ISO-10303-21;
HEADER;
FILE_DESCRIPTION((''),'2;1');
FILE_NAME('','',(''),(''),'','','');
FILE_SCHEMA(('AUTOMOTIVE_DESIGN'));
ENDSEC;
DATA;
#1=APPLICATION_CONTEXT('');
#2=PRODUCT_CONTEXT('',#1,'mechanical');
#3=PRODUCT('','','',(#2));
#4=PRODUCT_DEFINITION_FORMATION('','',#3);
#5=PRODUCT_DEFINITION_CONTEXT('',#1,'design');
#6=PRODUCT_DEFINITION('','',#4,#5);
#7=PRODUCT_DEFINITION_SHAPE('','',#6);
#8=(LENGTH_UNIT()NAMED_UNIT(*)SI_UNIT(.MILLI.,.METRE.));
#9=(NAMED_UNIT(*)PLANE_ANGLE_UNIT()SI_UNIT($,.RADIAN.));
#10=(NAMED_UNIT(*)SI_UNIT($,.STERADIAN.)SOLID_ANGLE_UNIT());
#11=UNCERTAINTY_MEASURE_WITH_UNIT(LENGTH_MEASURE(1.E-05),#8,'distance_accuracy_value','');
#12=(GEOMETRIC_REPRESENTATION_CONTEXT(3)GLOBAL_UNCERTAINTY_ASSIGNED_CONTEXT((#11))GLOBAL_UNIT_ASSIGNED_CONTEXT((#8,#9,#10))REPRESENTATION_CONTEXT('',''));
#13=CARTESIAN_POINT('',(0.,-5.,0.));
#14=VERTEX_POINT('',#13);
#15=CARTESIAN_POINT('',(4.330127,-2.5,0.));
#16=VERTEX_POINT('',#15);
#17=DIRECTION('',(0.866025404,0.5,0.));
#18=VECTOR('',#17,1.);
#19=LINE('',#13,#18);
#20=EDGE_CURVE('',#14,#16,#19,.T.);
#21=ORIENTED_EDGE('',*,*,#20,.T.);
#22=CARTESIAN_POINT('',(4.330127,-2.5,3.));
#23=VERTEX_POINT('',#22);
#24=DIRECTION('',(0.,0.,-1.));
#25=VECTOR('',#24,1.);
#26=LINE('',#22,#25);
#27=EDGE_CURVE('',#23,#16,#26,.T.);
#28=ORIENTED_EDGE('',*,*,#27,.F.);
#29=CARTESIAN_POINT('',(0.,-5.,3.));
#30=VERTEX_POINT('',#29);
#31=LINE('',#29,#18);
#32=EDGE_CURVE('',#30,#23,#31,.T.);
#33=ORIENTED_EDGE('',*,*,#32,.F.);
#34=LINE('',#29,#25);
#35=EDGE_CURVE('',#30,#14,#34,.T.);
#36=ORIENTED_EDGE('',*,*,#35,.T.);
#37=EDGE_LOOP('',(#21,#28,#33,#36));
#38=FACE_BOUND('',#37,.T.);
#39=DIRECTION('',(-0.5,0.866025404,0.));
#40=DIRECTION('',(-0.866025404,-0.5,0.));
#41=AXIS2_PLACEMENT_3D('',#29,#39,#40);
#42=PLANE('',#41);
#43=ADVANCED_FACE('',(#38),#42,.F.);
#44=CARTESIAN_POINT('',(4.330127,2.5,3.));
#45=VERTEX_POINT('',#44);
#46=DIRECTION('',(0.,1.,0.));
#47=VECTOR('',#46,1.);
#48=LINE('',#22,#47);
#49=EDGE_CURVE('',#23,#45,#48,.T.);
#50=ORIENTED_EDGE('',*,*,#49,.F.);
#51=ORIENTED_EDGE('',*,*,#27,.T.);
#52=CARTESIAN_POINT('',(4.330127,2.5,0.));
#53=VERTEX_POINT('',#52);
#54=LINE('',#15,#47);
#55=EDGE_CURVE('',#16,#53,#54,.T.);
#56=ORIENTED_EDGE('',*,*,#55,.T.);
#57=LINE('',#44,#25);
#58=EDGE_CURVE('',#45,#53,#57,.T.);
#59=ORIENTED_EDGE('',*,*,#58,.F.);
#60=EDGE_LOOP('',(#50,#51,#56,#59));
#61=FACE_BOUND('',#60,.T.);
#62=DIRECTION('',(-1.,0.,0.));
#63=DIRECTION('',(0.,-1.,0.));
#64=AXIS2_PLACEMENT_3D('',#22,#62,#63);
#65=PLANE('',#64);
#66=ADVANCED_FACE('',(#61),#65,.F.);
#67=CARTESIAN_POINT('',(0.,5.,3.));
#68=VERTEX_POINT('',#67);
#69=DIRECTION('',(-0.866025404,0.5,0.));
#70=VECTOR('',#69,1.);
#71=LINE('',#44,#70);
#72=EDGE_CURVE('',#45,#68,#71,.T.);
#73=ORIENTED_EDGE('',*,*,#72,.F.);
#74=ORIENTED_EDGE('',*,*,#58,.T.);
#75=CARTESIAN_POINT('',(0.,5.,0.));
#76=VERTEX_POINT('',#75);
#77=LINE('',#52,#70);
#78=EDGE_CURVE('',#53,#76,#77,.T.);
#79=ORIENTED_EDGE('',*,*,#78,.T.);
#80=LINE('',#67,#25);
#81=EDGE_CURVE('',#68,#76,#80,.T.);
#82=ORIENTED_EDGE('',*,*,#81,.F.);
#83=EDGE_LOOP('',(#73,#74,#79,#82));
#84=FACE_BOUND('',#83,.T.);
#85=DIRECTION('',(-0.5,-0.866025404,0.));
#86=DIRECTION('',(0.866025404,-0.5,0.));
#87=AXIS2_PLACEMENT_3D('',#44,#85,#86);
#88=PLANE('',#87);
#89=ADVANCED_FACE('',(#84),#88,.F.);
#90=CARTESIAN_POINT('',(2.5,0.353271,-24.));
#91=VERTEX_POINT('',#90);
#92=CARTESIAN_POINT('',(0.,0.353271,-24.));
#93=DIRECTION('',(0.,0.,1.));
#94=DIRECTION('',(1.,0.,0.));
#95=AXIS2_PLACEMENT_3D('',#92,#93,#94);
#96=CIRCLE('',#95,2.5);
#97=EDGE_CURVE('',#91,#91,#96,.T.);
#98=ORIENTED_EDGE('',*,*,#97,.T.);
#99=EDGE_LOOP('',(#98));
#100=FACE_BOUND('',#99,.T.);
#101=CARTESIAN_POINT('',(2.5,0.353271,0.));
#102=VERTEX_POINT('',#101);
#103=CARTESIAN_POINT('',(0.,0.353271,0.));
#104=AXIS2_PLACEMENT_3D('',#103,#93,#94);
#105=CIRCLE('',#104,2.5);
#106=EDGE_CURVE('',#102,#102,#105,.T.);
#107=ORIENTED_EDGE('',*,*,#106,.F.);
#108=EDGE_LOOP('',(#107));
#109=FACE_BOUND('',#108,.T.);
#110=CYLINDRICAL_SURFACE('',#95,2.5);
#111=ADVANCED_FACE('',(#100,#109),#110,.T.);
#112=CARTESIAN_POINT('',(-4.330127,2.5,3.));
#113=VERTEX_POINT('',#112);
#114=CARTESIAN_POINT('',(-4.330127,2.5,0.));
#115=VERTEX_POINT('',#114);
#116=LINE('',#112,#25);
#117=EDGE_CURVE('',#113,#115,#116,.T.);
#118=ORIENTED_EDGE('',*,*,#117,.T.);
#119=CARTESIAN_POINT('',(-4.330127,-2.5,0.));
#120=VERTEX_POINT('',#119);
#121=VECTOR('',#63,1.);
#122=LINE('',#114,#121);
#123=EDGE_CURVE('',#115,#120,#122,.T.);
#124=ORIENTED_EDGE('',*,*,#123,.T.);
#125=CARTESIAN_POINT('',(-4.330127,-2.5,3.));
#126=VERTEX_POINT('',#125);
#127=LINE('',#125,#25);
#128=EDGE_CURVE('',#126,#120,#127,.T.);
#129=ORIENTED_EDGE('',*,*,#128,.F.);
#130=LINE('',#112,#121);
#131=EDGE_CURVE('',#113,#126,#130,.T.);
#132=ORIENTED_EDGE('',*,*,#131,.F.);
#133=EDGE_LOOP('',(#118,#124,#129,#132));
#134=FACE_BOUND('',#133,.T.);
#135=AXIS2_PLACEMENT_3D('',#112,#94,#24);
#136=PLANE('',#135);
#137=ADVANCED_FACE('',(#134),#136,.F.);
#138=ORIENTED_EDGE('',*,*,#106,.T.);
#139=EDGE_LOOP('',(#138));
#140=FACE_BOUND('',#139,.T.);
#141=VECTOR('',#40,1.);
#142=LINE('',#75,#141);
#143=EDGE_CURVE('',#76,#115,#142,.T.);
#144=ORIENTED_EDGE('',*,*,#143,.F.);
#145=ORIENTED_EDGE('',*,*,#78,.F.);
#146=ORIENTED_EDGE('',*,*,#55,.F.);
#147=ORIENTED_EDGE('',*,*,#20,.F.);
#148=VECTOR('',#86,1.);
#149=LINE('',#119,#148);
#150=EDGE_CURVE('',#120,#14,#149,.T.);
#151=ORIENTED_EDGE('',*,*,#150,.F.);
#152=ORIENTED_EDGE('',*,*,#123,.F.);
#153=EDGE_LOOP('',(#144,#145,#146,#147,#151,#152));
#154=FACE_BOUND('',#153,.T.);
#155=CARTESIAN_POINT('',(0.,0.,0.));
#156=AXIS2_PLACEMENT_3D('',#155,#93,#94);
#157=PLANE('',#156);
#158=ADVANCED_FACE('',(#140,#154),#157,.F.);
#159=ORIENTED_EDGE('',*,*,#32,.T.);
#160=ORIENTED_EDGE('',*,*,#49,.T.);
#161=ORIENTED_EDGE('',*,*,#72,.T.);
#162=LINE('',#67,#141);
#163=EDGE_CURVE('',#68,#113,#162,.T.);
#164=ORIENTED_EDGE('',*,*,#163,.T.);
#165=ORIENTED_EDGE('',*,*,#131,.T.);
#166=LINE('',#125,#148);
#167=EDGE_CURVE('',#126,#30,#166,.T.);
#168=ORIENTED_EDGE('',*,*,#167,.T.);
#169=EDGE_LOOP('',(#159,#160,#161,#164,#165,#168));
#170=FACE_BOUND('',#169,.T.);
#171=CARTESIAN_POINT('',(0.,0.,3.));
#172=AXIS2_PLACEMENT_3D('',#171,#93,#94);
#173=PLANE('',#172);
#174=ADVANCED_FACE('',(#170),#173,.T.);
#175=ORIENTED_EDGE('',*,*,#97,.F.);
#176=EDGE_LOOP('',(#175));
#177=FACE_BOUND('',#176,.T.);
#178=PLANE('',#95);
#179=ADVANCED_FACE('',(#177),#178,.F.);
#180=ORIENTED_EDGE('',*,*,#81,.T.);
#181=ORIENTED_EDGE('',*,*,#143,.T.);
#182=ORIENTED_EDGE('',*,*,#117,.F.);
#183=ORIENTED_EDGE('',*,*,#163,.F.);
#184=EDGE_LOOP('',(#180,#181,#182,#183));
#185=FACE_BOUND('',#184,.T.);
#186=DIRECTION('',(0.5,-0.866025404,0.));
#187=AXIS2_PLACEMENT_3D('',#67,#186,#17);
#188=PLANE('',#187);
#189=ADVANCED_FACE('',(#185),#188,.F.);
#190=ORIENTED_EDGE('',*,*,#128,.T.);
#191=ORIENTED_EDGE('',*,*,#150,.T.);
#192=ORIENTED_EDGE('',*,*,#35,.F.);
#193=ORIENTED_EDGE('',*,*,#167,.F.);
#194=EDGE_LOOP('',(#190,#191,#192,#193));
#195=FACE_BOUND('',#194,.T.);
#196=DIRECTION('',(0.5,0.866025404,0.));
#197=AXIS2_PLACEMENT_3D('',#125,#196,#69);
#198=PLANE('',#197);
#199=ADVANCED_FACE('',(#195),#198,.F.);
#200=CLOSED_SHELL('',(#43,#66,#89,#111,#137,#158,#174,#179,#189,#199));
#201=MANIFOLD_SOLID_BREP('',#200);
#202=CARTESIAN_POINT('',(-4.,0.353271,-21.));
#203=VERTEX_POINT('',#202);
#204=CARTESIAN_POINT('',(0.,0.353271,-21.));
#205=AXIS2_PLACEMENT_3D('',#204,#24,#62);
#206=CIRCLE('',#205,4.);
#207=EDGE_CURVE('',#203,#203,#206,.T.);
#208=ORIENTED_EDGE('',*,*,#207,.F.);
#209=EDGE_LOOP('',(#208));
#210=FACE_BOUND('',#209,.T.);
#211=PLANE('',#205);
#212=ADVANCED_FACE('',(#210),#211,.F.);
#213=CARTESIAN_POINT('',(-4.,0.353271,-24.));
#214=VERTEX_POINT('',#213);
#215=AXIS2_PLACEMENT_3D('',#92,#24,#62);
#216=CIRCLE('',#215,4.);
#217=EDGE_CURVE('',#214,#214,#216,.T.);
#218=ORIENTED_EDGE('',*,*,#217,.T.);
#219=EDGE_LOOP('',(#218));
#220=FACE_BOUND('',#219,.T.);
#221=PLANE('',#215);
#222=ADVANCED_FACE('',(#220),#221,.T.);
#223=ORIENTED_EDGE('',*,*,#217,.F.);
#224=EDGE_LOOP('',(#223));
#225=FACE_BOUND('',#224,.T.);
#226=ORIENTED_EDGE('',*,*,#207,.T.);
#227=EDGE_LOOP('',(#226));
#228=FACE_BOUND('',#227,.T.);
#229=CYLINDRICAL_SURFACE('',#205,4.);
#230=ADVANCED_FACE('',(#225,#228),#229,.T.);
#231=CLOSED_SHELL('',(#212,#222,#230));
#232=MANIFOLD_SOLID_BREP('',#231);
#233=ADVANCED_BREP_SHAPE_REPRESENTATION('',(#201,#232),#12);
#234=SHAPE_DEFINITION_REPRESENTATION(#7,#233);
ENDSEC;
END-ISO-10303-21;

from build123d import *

# Parameters (mm, degrees)
SKETCH1_R           = 2.5
BOSS_EXTRUDE1_DEPTH = 24
BOSS_EXTRUDE2_DEPTH = 3
SKETCH3_R           = 4
BOSS_EXTRUDE3_DEPTH = 3


with BuildPart() as part:
    # Sketch1 → Boss-Extrude1 (new body)
    with BuildSketch(Plane.XY):
        with Locations((0, 0.353270887)):
            Circle(SKETCH1_R)
    extrude(amount=-BOSS_EXTRUDE1_DEPTH)

    # Sketch2 → Boss-Extrude2 (add)
    with BuildSketch(Plane.XY):
        Polygon((4.330127019, -2.5), (4.330127019, 2.5), (0, 5), (-4.330127019, 2.5), (-4.330127019, -2.5), (0, -5), align=None)
    extrude(amount=BOSS_EXTRUDE2_DEPTH)


with BuildPart() as body_2:
    # Sketch3 → Boss-Extrude3 (new body)
    with BuildSketch(Plane(origin=(0, 0, -24), x_dir=(-1, 0, 0), z_dir=(0, 0, -1))):
        with Locations((0, 0.353270887)):
            Circle(SKETCH3_R)
    extrude(amount=-BOSS_EXTRUDE3_DEPTH)


solid = Compound([part.part, body_2.part])
